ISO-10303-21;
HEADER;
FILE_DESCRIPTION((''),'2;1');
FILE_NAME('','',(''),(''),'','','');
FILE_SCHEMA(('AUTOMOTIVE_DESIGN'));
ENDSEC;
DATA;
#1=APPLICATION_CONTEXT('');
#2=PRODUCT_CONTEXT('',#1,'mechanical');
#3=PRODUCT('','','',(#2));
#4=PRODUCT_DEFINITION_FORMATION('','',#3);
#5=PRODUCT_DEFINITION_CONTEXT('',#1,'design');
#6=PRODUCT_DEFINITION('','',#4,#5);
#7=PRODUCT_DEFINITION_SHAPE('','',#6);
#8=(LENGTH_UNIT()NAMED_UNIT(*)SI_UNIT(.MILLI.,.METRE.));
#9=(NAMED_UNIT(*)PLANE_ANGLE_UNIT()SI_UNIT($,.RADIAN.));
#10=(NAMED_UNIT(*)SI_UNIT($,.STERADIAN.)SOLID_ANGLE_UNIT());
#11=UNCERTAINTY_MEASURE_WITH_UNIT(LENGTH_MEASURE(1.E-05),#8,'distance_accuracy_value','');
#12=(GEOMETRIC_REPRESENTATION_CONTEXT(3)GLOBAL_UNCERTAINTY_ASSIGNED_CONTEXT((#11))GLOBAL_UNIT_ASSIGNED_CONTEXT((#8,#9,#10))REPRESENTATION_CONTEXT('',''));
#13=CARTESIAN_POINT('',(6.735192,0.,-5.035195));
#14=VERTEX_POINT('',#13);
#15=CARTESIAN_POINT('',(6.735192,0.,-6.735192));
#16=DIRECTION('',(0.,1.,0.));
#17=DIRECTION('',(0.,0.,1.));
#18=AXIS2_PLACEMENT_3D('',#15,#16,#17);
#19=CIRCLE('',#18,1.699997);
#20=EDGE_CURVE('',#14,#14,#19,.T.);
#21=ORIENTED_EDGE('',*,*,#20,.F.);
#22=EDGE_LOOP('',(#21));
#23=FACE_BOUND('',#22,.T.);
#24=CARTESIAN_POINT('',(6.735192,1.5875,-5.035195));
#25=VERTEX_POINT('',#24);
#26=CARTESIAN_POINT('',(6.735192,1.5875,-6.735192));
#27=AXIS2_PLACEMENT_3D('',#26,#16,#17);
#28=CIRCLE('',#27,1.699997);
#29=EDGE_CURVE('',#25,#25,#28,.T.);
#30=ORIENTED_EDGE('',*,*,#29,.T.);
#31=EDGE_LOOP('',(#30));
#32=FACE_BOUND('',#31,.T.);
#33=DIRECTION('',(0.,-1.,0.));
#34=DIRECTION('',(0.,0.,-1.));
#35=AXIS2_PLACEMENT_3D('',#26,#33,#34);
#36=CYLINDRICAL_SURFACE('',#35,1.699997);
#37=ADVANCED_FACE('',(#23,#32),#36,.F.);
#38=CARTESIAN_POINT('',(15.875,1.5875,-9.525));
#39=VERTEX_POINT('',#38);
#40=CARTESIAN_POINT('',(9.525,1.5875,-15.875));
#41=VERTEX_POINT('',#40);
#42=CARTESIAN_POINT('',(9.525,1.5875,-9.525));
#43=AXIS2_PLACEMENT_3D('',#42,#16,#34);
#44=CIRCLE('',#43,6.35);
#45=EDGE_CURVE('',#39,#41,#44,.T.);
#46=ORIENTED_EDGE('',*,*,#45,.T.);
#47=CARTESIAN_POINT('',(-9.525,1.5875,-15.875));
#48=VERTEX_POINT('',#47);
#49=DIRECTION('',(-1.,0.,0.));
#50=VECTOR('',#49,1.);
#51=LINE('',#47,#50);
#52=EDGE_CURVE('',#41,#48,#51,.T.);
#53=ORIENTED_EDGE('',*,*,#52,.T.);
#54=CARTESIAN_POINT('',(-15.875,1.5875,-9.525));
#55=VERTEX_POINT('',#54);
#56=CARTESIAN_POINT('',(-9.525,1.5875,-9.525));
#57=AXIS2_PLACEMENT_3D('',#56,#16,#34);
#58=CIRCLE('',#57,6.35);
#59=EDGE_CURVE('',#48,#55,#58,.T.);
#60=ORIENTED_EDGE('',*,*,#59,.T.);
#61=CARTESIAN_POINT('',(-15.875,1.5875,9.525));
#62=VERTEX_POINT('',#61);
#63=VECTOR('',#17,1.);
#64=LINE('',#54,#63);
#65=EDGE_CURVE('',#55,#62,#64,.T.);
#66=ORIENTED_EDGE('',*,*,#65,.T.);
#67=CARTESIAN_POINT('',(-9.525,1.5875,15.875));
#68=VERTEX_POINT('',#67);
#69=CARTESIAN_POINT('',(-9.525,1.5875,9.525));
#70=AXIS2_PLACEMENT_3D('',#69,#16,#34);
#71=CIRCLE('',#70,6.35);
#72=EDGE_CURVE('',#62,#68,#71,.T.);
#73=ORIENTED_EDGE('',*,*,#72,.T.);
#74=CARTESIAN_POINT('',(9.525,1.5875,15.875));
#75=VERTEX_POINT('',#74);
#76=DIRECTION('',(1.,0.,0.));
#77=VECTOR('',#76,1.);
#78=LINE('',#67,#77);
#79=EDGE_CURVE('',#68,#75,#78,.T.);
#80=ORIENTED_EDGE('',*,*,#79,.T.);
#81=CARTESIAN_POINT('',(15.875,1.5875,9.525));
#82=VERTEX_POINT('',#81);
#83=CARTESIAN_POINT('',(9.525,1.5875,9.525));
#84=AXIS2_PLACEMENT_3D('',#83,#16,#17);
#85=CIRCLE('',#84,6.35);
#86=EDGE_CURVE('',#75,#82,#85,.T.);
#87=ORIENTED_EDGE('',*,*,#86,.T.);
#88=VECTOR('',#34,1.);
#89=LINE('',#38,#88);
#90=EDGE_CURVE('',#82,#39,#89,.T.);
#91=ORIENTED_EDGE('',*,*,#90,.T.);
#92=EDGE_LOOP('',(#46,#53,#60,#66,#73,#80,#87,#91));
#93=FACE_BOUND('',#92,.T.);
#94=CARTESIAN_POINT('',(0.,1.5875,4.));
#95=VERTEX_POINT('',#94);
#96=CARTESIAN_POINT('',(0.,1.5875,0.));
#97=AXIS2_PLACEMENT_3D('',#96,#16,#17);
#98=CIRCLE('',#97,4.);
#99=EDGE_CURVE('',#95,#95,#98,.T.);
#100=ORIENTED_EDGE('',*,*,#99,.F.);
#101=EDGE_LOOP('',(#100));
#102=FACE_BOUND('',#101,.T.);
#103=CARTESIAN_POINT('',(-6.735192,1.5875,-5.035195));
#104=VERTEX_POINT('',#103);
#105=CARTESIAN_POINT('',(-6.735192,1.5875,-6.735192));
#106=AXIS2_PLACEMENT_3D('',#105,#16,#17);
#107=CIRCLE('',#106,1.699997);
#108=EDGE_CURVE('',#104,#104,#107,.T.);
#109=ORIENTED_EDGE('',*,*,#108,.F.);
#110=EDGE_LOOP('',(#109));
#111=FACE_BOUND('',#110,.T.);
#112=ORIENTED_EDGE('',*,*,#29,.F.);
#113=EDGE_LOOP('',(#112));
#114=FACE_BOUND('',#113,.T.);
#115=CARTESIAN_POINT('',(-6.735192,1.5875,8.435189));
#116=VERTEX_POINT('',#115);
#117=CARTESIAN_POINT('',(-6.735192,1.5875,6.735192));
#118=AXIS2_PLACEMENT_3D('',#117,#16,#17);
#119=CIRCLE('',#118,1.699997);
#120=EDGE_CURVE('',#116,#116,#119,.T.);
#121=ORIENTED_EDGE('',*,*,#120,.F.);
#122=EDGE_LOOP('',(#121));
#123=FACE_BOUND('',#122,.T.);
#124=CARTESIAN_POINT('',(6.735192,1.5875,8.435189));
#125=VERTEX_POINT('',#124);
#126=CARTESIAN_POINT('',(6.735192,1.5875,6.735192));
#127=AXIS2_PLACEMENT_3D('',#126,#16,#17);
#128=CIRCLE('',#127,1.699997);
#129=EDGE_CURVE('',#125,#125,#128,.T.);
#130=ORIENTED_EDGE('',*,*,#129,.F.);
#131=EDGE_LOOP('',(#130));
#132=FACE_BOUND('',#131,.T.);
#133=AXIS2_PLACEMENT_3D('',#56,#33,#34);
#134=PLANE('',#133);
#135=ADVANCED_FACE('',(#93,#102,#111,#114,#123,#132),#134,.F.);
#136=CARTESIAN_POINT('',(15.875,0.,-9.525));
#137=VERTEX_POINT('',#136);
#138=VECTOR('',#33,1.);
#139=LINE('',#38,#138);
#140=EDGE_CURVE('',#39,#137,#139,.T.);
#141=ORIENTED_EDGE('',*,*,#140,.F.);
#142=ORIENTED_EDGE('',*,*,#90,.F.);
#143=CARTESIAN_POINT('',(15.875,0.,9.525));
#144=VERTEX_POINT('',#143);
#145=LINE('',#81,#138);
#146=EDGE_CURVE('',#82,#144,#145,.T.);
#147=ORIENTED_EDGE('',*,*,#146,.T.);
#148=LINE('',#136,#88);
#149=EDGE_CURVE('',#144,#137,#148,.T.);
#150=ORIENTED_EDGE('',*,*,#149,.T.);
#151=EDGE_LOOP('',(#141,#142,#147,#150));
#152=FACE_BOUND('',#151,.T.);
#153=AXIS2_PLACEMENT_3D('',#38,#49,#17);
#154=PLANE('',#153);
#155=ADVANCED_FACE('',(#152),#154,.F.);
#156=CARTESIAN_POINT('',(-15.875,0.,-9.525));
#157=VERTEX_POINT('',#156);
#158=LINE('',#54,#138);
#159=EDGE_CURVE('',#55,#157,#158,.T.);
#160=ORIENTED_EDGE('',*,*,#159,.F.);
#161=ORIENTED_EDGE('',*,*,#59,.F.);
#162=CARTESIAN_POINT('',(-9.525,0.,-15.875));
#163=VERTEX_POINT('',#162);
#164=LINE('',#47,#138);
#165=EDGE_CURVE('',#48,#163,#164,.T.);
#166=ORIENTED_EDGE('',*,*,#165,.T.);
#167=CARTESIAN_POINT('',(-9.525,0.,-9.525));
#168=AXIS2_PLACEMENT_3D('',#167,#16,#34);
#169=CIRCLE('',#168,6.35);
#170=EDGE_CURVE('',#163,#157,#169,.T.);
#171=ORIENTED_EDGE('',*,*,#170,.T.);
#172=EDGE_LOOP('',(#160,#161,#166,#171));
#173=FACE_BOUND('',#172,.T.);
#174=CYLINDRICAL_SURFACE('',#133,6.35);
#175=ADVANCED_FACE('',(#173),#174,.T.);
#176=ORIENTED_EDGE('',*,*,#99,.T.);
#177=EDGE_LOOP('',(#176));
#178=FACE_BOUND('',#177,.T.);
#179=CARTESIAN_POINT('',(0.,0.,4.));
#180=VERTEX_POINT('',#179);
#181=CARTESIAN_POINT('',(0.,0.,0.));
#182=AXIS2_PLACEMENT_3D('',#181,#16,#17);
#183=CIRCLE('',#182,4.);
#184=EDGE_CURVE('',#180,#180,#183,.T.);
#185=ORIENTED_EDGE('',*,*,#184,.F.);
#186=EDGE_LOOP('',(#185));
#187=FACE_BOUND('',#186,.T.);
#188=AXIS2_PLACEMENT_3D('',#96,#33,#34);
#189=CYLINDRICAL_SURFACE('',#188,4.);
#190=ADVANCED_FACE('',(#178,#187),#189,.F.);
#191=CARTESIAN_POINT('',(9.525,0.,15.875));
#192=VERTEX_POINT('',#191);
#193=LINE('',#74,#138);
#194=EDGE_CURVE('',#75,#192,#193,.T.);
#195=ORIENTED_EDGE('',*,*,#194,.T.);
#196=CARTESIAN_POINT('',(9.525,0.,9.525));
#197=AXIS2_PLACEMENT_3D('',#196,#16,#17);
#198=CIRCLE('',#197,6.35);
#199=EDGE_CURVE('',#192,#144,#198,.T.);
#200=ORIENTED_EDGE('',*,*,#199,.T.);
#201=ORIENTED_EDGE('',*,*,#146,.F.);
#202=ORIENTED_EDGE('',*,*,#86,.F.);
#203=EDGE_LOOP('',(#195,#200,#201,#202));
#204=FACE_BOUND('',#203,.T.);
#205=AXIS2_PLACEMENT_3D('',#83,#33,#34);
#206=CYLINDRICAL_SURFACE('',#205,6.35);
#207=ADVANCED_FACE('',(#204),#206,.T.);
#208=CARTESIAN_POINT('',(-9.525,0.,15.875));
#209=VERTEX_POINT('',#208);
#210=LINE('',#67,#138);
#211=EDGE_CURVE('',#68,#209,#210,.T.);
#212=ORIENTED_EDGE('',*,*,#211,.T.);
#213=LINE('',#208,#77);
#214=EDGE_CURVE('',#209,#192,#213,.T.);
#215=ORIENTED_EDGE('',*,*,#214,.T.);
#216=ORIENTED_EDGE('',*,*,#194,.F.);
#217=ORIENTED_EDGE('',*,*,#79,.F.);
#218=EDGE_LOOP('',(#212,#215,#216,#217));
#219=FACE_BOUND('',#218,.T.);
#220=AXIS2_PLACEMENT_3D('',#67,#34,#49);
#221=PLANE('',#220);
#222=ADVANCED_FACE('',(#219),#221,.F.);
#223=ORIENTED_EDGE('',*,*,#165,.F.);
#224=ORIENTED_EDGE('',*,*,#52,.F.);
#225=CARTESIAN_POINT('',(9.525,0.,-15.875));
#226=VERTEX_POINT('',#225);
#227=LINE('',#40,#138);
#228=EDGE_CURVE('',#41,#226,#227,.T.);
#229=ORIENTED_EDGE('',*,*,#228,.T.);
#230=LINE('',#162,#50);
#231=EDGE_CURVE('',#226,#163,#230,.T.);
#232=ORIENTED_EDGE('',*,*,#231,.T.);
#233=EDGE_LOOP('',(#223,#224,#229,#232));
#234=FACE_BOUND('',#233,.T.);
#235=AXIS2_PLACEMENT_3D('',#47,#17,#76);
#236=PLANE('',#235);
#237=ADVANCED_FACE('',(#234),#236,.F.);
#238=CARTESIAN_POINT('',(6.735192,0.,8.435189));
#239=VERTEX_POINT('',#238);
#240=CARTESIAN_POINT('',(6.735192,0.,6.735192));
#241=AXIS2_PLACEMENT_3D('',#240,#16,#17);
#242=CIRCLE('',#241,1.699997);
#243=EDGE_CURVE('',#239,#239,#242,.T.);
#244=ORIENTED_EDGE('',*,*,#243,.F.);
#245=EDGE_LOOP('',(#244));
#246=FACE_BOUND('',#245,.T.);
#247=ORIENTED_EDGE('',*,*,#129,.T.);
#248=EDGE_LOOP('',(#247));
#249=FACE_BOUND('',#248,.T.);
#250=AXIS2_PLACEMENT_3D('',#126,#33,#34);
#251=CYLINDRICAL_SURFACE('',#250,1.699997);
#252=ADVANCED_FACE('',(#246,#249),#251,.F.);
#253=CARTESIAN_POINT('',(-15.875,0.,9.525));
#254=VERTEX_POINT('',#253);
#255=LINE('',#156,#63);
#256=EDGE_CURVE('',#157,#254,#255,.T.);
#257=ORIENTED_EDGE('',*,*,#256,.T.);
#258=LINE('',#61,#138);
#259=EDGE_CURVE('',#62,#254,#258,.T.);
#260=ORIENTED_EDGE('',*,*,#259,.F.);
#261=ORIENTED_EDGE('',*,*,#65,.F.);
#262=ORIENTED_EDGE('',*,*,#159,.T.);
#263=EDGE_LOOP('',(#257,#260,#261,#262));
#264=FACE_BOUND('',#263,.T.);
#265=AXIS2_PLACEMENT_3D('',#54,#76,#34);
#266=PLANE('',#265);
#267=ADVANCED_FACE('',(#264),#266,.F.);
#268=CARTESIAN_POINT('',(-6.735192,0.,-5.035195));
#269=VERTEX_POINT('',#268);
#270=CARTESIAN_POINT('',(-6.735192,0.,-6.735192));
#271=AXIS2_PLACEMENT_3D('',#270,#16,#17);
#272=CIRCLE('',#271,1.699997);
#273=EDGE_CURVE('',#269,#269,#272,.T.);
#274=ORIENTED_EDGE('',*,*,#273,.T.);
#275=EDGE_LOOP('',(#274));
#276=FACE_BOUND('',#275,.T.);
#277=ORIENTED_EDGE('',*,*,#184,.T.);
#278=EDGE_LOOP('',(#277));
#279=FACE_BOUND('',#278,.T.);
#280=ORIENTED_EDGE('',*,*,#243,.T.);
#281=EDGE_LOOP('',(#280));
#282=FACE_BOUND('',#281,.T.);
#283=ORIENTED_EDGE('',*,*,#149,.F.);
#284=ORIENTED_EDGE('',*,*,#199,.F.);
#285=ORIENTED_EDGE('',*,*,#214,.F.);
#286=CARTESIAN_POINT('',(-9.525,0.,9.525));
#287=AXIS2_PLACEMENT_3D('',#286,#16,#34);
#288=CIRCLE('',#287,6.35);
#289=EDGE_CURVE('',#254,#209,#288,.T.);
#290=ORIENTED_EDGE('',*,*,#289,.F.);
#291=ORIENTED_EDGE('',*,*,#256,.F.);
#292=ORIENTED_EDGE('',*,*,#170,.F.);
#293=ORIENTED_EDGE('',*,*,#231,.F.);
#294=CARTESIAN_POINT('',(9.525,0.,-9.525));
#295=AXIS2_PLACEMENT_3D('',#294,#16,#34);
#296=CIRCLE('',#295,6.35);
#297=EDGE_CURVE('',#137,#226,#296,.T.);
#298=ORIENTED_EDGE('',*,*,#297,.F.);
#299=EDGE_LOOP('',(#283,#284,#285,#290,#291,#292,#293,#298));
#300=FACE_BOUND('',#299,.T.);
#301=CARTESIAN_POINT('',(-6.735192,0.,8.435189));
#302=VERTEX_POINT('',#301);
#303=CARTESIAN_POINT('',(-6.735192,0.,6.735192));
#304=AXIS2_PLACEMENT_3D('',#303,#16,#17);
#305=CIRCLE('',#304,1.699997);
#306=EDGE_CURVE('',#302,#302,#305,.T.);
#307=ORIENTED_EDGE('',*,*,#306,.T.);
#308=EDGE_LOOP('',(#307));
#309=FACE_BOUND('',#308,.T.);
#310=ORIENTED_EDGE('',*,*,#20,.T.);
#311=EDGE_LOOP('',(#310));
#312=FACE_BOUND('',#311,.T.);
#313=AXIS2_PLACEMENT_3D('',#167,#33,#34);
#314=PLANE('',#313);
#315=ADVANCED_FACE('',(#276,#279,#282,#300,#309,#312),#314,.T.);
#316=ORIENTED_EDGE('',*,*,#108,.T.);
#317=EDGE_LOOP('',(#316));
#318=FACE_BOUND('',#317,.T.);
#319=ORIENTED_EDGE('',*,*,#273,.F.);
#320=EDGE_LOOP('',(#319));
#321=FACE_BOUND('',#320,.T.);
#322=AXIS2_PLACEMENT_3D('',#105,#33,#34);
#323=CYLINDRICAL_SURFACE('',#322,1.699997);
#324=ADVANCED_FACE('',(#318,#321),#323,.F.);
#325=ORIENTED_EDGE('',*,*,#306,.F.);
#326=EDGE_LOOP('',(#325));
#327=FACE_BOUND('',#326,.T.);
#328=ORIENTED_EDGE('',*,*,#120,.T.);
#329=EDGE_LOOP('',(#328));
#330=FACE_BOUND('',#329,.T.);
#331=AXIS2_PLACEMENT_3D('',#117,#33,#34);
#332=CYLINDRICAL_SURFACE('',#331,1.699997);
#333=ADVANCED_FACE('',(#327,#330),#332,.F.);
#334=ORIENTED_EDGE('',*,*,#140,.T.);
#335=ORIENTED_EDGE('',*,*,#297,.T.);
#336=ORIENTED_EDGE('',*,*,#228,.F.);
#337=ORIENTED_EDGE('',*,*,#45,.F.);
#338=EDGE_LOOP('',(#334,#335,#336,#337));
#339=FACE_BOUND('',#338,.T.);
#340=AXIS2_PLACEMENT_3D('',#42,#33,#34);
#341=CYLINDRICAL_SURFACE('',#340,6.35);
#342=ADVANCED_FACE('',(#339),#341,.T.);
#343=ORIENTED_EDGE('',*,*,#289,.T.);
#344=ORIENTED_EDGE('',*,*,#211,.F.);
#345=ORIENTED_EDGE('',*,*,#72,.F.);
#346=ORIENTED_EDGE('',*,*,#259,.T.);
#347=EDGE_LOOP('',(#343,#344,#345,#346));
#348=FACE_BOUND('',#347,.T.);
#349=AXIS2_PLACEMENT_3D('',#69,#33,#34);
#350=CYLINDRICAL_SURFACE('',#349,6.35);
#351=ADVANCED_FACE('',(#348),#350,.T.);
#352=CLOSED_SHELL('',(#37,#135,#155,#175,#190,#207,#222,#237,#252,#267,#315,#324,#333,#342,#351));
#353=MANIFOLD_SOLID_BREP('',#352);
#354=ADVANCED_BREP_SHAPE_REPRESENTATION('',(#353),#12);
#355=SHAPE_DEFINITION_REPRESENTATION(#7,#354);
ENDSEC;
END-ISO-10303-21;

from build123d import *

# Parameters (mm, degrees)
SKETCH1_R           = 1.6999966
SKETCH1_R_2         = 4
BOSS_EXTRUDE1_DEPTH = 1.5875


with BuildPart() as part:
    # Sketch1 → Boss-Extrude1 (new body)
    with BuildSketch(Plane(origin=(0, 0, 0), x_dir=(1, 0, 0), z_dir=(0, 1, 0))):
        with BuildLine():
            Line((-9.525, 15.875), (9.525, 15.875))
            ThreePointArc((9.525, 15.875), (14.015128061, 14.015128061), (15.875, 9.525))
            Line((15.875, 9.525), (15.875, -9.525))
            ThreePointArc((15.875, -9.525), (14.015128061, -14.015128061), (9.525, -15.875))
            Line((9.525, -15.875), (-9.525, -15.875))
            ThreePointArc((-9.525, -15.875), (-14.015128061, -14.015128061), (-15.875, -9.525))
            Line((-15.875, -9.525), (-15.875, 9.525))
            ThreePointArc((-15.875, 9.525), (-14.015128061, 14.015128061), (-9.525, 15.875))
        make_face()
        with Locations((-6.735192091, -6.735192091)):
            Circle(SKETCH1_R, mode=Mode.SUBTRACT)
        with Locations((6.735192091, -6.735192091)):
            Circle(SKETCH1_R, mode=Mode.SUBTRACT)
        Circle(SKETCH1_R_2, mode=Mode.SUBTRACT)
        with Locations((6.735192091, 6.735192091)):
            Circle(SKETCH1_R, mode=Mode.SUBTRACT)
        with Locations((-6.735192091, 6.735192091)):
            Circle(SKETCH1_R, mode=Mode.SUBTRACT)
    extrude(amount=BOSS_EXTRUDE1_DEPTH)


solid = part.part
